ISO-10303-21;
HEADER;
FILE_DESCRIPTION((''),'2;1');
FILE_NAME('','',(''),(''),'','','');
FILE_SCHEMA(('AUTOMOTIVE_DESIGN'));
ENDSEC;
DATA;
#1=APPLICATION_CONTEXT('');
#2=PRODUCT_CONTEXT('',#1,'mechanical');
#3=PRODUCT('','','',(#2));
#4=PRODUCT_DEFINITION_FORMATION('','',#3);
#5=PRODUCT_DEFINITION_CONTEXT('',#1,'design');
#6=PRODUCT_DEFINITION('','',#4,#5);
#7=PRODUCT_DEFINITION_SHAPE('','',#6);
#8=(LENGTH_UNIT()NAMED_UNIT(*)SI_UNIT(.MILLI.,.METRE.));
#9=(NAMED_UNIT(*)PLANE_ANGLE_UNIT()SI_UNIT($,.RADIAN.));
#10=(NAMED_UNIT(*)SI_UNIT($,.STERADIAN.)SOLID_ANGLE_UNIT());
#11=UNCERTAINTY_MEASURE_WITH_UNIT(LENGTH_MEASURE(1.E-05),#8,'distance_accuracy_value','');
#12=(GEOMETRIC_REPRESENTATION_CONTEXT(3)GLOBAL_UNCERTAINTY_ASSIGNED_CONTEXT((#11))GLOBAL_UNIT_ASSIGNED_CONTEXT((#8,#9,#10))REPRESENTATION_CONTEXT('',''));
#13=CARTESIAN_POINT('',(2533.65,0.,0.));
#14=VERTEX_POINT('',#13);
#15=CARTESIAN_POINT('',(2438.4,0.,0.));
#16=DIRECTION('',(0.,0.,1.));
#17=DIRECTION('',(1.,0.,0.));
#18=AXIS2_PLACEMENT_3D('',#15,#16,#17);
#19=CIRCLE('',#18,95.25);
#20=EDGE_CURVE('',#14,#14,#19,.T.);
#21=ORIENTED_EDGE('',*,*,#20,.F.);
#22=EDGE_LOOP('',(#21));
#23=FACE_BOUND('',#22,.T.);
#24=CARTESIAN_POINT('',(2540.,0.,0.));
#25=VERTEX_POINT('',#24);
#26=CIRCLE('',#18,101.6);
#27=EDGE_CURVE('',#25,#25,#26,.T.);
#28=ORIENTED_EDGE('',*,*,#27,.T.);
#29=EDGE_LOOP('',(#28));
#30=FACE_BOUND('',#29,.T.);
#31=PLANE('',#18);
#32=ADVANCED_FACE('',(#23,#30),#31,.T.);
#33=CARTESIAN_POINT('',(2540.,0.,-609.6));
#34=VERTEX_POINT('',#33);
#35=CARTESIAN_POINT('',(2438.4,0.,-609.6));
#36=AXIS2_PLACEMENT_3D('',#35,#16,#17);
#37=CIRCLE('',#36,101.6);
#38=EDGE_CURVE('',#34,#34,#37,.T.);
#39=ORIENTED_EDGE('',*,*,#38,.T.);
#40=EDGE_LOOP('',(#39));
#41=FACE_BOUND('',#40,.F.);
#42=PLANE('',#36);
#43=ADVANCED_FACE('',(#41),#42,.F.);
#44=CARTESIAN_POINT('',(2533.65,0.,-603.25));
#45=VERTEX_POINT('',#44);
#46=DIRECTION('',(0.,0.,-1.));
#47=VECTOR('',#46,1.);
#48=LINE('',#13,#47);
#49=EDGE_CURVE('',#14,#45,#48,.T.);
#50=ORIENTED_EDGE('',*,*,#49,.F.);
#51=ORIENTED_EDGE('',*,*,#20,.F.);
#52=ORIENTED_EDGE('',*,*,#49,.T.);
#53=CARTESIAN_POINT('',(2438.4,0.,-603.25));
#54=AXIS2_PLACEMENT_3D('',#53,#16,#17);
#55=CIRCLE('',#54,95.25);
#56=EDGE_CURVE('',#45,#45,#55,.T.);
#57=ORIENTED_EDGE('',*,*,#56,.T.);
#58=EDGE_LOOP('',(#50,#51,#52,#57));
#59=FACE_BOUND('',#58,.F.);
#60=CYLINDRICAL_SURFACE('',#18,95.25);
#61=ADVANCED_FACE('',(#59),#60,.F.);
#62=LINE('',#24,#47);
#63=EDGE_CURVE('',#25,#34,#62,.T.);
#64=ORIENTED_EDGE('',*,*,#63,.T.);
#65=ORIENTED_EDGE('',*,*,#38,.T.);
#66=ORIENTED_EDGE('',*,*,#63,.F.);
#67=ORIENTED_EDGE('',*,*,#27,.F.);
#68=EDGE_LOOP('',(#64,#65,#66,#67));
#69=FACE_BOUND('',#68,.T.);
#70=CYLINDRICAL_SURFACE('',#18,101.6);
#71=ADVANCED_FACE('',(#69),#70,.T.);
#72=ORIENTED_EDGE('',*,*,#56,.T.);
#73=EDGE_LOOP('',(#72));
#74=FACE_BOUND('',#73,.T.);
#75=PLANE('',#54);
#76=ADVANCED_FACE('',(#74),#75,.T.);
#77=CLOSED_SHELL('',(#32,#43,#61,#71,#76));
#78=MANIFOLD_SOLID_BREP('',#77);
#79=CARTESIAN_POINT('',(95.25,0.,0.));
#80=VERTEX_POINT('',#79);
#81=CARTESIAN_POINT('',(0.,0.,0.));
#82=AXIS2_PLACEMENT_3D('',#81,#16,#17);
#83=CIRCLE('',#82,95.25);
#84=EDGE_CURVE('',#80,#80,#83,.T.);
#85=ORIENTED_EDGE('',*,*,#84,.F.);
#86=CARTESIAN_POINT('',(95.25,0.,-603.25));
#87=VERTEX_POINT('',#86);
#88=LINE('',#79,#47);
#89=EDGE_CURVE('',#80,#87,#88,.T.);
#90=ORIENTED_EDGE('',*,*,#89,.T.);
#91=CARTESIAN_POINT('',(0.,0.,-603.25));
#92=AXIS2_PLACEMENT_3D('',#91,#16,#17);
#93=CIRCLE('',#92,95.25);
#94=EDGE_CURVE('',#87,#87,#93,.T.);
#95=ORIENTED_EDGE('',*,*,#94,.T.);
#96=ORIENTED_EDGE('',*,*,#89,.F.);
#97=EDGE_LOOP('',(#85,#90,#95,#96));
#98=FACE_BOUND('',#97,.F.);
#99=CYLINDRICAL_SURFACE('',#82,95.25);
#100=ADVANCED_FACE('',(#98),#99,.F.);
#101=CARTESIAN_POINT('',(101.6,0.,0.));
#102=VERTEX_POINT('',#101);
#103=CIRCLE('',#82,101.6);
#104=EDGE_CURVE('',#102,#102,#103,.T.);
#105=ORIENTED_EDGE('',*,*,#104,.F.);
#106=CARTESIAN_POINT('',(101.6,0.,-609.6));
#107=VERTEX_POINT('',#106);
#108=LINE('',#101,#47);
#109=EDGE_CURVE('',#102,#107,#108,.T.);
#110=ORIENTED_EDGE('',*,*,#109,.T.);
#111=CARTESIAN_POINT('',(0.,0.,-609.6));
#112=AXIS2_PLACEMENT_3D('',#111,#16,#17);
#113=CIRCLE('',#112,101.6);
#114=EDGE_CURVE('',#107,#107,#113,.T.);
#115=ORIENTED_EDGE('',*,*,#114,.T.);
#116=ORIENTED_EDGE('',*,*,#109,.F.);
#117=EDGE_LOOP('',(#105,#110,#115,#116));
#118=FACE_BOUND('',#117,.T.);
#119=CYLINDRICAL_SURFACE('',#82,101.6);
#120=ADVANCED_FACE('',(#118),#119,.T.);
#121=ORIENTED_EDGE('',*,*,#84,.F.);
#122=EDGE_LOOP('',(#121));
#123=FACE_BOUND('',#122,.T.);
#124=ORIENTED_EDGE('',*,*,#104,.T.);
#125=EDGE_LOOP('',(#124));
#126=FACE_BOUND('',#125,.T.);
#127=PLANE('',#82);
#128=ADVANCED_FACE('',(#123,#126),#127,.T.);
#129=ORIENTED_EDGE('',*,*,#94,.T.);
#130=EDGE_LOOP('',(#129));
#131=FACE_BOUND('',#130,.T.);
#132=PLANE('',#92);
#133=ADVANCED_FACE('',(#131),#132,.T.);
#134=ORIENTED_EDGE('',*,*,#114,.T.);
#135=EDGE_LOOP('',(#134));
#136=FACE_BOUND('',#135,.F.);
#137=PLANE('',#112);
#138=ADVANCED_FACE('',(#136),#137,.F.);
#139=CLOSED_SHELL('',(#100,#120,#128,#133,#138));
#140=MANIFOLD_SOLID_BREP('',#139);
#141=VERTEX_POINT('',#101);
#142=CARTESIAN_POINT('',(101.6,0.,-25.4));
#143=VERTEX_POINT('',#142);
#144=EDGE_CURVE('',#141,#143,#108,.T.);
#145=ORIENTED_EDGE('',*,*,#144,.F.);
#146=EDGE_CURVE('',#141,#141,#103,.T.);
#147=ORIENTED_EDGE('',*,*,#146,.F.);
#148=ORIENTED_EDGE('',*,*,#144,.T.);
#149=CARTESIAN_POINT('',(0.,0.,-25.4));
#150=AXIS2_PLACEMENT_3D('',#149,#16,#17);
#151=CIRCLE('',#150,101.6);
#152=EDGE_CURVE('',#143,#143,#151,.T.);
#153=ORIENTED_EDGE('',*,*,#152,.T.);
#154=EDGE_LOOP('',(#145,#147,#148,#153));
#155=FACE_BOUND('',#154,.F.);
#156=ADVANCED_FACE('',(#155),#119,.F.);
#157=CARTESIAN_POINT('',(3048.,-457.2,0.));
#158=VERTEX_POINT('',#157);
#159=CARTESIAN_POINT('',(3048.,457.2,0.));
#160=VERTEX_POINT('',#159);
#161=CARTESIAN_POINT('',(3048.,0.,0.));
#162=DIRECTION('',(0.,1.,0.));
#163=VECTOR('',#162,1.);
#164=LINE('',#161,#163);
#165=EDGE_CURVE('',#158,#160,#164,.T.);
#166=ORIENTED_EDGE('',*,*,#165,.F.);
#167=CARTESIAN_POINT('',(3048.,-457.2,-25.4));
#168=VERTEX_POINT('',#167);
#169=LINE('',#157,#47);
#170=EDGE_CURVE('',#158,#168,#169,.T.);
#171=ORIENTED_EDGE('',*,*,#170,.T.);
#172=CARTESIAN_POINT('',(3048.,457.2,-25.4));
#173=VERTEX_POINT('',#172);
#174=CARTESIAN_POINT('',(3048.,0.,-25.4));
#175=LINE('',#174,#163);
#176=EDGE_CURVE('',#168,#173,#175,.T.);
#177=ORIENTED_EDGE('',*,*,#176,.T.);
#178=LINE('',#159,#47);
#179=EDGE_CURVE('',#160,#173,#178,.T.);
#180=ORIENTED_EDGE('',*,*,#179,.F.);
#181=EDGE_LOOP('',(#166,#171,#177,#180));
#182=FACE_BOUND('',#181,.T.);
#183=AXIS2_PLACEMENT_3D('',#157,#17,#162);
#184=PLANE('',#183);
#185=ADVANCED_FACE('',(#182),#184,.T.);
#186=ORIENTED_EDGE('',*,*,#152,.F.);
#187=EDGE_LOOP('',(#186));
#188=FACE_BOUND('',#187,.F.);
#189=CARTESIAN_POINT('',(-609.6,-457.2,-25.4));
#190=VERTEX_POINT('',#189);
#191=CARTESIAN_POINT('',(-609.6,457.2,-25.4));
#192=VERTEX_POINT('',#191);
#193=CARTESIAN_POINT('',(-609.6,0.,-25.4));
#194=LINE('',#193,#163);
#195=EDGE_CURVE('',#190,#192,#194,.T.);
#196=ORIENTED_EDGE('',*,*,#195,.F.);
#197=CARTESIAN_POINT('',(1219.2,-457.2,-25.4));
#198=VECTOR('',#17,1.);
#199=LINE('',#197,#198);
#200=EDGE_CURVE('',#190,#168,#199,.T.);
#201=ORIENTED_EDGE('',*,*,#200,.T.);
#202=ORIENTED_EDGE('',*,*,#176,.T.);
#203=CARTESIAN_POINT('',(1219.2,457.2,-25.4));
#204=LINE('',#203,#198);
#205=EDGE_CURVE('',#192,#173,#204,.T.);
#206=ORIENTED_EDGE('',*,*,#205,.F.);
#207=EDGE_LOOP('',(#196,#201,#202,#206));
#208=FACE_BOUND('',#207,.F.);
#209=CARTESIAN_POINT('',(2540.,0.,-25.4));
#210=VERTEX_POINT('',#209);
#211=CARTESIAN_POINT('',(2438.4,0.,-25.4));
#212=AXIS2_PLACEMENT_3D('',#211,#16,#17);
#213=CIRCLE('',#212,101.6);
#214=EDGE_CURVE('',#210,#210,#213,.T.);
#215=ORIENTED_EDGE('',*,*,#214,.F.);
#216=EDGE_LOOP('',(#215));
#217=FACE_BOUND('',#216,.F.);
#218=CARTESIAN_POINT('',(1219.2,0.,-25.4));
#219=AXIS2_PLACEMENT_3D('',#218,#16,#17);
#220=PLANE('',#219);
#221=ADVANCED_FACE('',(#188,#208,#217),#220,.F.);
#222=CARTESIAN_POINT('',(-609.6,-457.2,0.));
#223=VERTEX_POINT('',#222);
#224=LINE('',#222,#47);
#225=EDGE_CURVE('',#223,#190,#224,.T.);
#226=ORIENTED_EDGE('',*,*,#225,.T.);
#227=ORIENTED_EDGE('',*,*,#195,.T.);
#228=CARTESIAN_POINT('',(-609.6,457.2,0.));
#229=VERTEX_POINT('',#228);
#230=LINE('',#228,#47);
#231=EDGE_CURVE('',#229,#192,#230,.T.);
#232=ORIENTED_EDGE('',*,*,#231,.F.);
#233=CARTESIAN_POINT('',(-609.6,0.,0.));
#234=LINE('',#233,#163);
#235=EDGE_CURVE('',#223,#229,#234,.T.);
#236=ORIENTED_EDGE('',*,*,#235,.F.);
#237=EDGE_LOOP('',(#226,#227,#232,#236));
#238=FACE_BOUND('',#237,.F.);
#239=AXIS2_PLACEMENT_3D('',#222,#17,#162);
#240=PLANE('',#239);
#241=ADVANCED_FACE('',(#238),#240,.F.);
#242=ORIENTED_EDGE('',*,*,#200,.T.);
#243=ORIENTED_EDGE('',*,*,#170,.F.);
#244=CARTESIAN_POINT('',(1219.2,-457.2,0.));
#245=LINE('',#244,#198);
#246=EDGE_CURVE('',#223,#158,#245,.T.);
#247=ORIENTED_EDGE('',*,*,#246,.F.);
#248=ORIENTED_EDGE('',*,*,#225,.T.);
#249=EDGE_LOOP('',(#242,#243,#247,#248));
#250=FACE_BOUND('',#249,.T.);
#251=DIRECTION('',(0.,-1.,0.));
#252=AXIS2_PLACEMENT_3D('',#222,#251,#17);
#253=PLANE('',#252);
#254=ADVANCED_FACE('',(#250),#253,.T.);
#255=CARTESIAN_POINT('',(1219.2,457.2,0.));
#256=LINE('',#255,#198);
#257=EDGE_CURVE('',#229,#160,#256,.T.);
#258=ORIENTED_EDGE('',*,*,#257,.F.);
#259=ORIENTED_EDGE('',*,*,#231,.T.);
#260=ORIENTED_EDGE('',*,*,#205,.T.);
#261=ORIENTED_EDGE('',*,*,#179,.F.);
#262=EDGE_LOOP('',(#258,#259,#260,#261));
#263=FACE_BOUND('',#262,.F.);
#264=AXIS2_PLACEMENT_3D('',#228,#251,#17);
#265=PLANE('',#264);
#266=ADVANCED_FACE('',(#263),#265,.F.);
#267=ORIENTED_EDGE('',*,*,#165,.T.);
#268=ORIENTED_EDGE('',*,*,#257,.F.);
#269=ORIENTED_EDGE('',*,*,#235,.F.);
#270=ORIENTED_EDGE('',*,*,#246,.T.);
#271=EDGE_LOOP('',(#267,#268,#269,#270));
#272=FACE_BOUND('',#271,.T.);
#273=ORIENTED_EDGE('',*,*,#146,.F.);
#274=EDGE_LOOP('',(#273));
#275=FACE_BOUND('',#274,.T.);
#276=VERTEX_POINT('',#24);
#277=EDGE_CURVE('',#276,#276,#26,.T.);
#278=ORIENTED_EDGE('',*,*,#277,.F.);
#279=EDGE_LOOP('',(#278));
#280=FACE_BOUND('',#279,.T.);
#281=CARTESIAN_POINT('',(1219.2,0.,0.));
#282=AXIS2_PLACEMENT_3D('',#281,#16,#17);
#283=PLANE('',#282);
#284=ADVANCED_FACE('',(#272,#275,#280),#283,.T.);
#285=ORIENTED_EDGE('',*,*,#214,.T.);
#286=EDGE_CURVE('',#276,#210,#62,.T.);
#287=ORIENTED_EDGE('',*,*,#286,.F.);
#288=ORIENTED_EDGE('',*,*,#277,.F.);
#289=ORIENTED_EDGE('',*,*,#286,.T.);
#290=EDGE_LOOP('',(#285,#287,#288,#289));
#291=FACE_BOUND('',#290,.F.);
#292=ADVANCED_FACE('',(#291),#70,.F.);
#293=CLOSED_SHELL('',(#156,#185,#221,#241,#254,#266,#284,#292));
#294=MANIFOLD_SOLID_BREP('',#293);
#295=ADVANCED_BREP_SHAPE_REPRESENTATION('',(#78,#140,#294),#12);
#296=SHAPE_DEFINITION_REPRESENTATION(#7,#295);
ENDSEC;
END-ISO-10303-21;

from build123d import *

# Parameters (mm, degrees)
F0_R     = 101.6
F1_DEPTH = 609.6
F2_T     = -6.35
F2_2_T   = -6.35
F3_W     = 3657.6
F3_H     = 914.4
F3_R     = 101.6
F4_DEPTH = 25.4


with BuildPart() as f1:
    # F0 (on Top) → F1 (new body)
    with BuildSketch(Plane.XY):
        Circle(F0_R)
    extrude(amount=-F1_DEPTH)

    # F2
    f2_openings = [f1.faces().sort_by_distance(p)[0] for p in [
        (0, 0, 0),
    ]]
    offset(amount=F2_T, openings=f2_openings)


with BuildPart() as f1b:
    # F0 (on Top) → F1, piece 2 (new body)
    with BuildSketch(Plane.XY):
        with Locations((2438.4, 0)):
            Circle(F0_R)
    extrude(amount=-F1_DEPTH)

    # F2#2
    f2_2_openings = [f1b.faces().sort_by_distance(p)[0] for p in [
        (2438.4, 0, 0),
    ]]
    offset(amount=F2_2_T, openings=f2_2_openings)


with BuildPart() as f4:
    # F3 (on face) → F4 (new body)
    with BuildSketch(Plane.XY):
        with Locations((1219.2, 0)):
            Rectangle(F3_W, F3_H)
        Circle(F3_R, mode=Mode.SUBTRACT)
        with Locations((2438.4, 0)):
            Circle(F3_R, mode=Mode.SUBTRACT)
    extrude(amount=-F4_DEPTH)


solid = Compound([f1.part, f1b.part, f4.part])
